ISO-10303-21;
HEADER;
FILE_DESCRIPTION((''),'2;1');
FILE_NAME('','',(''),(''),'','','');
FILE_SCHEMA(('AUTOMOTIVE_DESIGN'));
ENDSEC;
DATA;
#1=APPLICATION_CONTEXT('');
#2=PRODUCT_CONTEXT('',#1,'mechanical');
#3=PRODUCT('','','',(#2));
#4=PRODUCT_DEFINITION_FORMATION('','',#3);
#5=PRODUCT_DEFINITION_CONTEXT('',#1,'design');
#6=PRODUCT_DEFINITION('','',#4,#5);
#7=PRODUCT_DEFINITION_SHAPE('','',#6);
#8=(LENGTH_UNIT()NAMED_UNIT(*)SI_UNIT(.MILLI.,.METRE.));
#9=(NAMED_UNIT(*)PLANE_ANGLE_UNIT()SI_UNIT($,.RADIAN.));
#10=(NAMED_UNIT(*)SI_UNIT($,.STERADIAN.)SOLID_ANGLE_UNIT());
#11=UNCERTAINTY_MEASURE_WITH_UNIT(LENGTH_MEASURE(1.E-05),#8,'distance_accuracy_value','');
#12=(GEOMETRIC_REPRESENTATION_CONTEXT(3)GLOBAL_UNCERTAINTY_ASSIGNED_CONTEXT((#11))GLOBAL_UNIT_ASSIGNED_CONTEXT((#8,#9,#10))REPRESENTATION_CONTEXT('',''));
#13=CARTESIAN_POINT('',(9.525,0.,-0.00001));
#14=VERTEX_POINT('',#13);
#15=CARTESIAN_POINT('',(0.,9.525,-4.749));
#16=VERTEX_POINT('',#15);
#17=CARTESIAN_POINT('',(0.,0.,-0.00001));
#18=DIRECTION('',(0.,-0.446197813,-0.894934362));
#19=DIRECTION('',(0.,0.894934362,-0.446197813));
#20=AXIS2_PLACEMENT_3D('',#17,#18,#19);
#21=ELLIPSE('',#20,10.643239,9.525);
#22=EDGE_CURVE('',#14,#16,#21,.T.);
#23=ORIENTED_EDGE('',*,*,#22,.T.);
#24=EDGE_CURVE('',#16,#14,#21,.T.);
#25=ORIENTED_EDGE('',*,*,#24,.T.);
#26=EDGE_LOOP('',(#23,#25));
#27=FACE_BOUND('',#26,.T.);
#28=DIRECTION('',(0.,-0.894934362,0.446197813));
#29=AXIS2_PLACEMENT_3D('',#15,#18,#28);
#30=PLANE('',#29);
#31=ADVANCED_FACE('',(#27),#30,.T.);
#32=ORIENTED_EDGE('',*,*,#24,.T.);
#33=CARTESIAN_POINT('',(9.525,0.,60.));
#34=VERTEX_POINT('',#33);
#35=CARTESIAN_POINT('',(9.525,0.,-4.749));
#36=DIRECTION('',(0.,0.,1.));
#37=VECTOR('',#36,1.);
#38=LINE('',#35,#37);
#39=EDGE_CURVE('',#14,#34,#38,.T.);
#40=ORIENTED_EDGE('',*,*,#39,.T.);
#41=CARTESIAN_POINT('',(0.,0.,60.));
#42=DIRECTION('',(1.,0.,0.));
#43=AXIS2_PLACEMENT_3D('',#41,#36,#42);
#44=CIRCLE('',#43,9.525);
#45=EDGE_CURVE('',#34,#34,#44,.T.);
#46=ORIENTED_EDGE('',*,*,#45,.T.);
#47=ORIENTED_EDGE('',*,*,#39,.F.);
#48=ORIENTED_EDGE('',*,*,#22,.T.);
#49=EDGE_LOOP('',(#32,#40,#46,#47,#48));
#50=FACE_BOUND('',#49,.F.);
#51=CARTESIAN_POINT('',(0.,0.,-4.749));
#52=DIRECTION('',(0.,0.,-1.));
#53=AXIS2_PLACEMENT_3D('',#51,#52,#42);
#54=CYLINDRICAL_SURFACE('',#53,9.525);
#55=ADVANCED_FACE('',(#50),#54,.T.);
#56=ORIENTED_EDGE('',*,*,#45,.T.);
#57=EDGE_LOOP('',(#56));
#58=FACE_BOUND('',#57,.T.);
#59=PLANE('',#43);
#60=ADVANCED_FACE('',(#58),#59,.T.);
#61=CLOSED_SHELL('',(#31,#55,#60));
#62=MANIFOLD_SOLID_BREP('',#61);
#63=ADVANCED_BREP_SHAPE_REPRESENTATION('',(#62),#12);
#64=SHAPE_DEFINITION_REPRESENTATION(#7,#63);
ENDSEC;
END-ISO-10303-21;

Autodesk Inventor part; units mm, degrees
ref_plane "Start Plane" through (0, 0, -4.749) normal (0, 0, 1) x (1, 0, 0)
ref_plane "End Plane" through (0, 0, 60) normal (0, 0, 1) x (1, 0, 0)
sketch "Sketch" plane through (0, 0, 0) normal (0, 0, 1) x (1, 0, 0)
  circle A0 centre (0, 0) radius 9.525
  dimension "d0" = 19.05
extrude "Body" add sketch "Sketch" along normal up to surface (64.749 mm away) from surface at -4.749
sketch "Sketch2" plane through (0, 0, 0) normal (0, 0, 1) x (1, 0, 0)
  line L0 (0, 0) -> (10, 0)
ref_plane "Work Plane3" through (0, 0, 0) normal (0, -1, 0) x (1, 0, 0)
ref_plane "Work Plane4" through (0, 9.525, -4.749) normal (0, -0.4462, -0.8949) x (1, 0, 0)
split "Split1" plane through (0, 9.525, -4.749) removes the side toward (0, -0.4462, -0.8949)
sketch "Sketch3" plane through (0, 0, 0) normal (0, -1, 0) x (1, 0, 0)
  line L0 (-2, -4.749) -> (12, -4.749) projected
  line L1 (-2, 60) -> (12, 60) projected
  dimension "d7" = 64.749
equation "\"d0\" = Diam"
equation "\"d1\" = G_L"
equation "\"Diam\" = 19.05"
equation "\"G_L\" = d7"
equation "\"G_OFFSET_START\" = 4.74899"
equation "\"G_OFFSET_END\" = 0"
equation "\"d4\" = -G_OFFSET_START"
equation "\"d5\" = G_OFFSET_END + B_L"
equation "\"B_L\" = 60"
properties part number "ANSI/AISC Rolled Steel - 3/4-2.549, RB" material "Steel, Mild"
